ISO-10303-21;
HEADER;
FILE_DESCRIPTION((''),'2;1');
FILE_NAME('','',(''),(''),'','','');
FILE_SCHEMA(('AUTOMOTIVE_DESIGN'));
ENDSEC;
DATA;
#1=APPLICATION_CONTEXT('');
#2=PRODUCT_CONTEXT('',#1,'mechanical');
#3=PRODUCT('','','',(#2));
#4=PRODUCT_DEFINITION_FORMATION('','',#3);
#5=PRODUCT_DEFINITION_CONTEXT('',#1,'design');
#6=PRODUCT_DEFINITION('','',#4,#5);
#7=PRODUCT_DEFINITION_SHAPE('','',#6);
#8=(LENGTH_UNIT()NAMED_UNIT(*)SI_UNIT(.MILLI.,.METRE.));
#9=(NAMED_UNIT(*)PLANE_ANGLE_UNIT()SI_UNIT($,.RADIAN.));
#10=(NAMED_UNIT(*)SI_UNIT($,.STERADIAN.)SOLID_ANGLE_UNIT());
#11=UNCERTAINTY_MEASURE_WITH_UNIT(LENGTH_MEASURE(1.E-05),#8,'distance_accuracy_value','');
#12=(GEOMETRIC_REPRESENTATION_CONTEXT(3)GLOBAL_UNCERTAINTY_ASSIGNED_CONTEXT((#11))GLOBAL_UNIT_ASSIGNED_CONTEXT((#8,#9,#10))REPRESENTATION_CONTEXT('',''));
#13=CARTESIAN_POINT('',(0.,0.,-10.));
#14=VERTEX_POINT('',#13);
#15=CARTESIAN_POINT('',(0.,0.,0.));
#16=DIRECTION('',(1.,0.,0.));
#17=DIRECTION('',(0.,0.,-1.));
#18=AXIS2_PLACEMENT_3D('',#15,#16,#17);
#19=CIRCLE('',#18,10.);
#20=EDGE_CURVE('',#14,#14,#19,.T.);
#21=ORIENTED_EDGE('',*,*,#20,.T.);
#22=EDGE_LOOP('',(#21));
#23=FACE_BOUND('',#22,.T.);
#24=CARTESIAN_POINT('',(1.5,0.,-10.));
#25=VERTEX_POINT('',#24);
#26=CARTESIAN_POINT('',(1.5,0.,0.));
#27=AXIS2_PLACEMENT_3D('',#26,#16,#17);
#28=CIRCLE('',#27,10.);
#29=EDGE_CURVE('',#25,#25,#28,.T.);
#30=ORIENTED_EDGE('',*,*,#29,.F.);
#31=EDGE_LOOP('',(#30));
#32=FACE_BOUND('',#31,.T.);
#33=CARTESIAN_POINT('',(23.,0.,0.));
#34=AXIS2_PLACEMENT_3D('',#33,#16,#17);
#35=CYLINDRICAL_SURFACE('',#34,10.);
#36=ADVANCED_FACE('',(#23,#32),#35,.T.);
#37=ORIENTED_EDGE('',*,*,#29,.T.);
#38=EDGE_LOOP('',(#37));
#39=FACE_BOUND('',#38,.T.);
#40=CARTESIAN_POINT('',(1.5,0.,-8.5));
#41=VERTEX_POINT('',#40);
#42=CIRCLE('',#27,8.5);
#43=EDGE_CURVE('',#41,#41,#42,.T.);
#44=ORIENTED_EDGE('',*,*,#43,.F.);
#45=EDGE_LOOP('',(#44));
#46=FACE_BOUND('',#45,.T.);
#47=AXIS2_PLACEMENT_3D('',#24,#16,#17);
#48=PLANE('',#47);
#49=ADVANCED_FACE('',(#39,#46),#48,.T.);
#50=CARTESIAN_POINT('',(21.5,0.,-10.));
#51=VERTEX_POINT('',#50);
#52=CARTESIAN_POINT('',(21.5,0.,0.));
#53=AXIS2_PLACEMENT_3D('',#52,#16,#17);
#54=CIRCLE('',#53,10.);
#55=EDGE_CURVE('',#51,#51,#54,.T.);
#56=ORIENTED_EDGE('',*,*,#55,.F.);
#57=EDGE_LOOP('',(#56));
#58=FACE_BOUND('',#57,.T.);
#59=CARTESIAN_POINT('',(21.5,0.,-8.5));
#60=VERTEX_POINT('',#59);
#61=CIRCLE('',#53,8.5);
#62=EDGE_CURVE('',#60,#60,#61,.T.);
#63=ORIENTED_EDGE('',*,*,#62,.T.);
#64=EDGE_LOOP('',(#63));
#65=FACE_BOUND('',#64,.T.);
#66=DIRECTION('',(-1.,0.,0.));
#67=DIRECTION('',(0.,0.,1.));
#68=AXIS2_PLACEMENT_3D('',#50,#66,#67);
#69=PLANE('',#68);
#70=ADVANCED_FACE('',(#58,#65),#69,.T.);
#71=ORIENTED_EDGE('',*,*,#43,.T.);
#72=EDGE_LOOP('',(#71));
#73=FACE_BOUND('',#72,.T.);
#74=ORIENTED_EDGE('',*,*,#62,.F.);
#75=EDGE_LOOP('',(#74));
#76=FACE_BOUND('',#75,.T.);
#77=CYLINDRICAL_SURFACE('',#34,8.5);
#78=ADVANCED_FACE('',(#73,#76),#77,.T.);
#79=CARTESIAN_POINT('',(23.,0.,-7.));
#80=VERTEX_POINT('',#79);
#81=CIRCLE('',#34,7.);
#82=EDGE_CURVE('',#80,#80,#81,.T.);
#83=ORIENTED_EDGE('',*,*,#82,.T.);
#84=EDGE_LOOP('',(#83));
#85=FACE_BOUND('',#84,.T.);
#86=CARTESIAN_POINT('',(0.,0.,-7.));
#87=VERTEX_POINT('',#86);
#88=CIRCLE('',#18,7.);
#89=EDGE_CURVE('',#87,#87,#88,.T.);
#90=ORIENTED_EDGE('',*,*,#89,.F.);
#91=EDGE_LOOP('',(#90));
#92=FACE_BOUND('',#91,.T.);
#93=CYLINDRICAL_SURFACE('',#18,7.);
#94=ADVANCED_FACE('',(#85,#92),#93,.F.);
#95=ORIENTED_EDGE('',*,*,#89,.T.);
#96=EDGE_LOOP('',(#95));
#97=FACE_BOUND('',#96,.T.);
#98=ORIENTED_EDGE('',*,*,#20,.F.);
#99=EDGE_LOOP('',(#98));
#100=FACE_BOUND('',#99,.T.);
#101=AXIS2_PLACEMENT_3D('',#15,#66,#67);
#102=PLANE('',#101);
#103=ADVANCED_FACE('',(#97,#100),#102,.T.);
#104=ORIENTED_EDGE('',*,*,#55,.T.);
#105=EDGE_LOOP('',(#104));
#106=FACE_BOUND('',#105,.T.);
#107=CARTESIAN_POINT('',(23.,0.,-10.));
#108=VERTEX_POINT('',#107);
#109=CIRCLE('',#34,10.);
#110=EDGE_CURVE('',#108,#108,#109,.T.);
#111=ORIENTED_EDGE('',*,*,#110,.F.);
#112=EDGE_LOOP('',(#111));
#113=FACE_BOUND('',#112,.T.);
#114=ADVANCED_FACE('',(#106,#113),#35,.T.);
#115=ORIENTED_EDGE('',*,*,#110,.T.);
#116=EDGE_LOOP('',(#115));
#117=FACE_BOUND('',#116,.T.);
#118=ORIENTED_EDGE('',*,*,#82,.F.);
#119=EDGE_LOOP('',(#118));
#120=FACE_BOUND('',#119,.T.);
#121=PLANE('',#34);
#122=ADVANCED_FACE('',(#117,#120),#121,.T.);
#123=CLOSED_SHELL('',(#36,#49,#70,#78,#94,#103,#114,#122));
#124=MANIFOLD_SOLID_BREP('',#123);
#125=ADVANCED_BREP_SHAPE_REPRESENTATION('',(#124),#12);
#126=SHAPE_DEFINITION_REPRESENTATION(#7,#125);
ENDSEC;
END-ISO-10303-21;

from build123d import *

# Parameters (mm, degrees)
SKETCH_3_R          = 7
CUT_EXTRUDE_1_DEPTH = 24


with BuildPart() as part:
    # Эскиз2 → Повернуть1 (revolve)
    with BuildSketch(Plane(origin=(0, 0, 0), x_dir=(1, 0, 0), z_dir=(0, 1, 0))):
        Polygon((0, 0), (0, 10), (1.5, 10), (1.5, 8.5), (21.5, 8.5), (21.5, 10), (23, 10), (23, 0), align=None)
    revolve(axis=Axis((23, 0, 0), (-1, 0, 0)))

    # Эскиз3 → Вырез-Вытянуть1 (cut, through all)
    with BuildSketch(Plane(origin=(23, 0, 0), x_dir=(0, 0, -1), z_dir=(1, 0, 0))):
        Circle(SKETCH_3_R)
    extrude(amount=-CUT_EXTRUDE_1_DEPTH, mode=Mode.SUBTRACT)


solid = part.part
